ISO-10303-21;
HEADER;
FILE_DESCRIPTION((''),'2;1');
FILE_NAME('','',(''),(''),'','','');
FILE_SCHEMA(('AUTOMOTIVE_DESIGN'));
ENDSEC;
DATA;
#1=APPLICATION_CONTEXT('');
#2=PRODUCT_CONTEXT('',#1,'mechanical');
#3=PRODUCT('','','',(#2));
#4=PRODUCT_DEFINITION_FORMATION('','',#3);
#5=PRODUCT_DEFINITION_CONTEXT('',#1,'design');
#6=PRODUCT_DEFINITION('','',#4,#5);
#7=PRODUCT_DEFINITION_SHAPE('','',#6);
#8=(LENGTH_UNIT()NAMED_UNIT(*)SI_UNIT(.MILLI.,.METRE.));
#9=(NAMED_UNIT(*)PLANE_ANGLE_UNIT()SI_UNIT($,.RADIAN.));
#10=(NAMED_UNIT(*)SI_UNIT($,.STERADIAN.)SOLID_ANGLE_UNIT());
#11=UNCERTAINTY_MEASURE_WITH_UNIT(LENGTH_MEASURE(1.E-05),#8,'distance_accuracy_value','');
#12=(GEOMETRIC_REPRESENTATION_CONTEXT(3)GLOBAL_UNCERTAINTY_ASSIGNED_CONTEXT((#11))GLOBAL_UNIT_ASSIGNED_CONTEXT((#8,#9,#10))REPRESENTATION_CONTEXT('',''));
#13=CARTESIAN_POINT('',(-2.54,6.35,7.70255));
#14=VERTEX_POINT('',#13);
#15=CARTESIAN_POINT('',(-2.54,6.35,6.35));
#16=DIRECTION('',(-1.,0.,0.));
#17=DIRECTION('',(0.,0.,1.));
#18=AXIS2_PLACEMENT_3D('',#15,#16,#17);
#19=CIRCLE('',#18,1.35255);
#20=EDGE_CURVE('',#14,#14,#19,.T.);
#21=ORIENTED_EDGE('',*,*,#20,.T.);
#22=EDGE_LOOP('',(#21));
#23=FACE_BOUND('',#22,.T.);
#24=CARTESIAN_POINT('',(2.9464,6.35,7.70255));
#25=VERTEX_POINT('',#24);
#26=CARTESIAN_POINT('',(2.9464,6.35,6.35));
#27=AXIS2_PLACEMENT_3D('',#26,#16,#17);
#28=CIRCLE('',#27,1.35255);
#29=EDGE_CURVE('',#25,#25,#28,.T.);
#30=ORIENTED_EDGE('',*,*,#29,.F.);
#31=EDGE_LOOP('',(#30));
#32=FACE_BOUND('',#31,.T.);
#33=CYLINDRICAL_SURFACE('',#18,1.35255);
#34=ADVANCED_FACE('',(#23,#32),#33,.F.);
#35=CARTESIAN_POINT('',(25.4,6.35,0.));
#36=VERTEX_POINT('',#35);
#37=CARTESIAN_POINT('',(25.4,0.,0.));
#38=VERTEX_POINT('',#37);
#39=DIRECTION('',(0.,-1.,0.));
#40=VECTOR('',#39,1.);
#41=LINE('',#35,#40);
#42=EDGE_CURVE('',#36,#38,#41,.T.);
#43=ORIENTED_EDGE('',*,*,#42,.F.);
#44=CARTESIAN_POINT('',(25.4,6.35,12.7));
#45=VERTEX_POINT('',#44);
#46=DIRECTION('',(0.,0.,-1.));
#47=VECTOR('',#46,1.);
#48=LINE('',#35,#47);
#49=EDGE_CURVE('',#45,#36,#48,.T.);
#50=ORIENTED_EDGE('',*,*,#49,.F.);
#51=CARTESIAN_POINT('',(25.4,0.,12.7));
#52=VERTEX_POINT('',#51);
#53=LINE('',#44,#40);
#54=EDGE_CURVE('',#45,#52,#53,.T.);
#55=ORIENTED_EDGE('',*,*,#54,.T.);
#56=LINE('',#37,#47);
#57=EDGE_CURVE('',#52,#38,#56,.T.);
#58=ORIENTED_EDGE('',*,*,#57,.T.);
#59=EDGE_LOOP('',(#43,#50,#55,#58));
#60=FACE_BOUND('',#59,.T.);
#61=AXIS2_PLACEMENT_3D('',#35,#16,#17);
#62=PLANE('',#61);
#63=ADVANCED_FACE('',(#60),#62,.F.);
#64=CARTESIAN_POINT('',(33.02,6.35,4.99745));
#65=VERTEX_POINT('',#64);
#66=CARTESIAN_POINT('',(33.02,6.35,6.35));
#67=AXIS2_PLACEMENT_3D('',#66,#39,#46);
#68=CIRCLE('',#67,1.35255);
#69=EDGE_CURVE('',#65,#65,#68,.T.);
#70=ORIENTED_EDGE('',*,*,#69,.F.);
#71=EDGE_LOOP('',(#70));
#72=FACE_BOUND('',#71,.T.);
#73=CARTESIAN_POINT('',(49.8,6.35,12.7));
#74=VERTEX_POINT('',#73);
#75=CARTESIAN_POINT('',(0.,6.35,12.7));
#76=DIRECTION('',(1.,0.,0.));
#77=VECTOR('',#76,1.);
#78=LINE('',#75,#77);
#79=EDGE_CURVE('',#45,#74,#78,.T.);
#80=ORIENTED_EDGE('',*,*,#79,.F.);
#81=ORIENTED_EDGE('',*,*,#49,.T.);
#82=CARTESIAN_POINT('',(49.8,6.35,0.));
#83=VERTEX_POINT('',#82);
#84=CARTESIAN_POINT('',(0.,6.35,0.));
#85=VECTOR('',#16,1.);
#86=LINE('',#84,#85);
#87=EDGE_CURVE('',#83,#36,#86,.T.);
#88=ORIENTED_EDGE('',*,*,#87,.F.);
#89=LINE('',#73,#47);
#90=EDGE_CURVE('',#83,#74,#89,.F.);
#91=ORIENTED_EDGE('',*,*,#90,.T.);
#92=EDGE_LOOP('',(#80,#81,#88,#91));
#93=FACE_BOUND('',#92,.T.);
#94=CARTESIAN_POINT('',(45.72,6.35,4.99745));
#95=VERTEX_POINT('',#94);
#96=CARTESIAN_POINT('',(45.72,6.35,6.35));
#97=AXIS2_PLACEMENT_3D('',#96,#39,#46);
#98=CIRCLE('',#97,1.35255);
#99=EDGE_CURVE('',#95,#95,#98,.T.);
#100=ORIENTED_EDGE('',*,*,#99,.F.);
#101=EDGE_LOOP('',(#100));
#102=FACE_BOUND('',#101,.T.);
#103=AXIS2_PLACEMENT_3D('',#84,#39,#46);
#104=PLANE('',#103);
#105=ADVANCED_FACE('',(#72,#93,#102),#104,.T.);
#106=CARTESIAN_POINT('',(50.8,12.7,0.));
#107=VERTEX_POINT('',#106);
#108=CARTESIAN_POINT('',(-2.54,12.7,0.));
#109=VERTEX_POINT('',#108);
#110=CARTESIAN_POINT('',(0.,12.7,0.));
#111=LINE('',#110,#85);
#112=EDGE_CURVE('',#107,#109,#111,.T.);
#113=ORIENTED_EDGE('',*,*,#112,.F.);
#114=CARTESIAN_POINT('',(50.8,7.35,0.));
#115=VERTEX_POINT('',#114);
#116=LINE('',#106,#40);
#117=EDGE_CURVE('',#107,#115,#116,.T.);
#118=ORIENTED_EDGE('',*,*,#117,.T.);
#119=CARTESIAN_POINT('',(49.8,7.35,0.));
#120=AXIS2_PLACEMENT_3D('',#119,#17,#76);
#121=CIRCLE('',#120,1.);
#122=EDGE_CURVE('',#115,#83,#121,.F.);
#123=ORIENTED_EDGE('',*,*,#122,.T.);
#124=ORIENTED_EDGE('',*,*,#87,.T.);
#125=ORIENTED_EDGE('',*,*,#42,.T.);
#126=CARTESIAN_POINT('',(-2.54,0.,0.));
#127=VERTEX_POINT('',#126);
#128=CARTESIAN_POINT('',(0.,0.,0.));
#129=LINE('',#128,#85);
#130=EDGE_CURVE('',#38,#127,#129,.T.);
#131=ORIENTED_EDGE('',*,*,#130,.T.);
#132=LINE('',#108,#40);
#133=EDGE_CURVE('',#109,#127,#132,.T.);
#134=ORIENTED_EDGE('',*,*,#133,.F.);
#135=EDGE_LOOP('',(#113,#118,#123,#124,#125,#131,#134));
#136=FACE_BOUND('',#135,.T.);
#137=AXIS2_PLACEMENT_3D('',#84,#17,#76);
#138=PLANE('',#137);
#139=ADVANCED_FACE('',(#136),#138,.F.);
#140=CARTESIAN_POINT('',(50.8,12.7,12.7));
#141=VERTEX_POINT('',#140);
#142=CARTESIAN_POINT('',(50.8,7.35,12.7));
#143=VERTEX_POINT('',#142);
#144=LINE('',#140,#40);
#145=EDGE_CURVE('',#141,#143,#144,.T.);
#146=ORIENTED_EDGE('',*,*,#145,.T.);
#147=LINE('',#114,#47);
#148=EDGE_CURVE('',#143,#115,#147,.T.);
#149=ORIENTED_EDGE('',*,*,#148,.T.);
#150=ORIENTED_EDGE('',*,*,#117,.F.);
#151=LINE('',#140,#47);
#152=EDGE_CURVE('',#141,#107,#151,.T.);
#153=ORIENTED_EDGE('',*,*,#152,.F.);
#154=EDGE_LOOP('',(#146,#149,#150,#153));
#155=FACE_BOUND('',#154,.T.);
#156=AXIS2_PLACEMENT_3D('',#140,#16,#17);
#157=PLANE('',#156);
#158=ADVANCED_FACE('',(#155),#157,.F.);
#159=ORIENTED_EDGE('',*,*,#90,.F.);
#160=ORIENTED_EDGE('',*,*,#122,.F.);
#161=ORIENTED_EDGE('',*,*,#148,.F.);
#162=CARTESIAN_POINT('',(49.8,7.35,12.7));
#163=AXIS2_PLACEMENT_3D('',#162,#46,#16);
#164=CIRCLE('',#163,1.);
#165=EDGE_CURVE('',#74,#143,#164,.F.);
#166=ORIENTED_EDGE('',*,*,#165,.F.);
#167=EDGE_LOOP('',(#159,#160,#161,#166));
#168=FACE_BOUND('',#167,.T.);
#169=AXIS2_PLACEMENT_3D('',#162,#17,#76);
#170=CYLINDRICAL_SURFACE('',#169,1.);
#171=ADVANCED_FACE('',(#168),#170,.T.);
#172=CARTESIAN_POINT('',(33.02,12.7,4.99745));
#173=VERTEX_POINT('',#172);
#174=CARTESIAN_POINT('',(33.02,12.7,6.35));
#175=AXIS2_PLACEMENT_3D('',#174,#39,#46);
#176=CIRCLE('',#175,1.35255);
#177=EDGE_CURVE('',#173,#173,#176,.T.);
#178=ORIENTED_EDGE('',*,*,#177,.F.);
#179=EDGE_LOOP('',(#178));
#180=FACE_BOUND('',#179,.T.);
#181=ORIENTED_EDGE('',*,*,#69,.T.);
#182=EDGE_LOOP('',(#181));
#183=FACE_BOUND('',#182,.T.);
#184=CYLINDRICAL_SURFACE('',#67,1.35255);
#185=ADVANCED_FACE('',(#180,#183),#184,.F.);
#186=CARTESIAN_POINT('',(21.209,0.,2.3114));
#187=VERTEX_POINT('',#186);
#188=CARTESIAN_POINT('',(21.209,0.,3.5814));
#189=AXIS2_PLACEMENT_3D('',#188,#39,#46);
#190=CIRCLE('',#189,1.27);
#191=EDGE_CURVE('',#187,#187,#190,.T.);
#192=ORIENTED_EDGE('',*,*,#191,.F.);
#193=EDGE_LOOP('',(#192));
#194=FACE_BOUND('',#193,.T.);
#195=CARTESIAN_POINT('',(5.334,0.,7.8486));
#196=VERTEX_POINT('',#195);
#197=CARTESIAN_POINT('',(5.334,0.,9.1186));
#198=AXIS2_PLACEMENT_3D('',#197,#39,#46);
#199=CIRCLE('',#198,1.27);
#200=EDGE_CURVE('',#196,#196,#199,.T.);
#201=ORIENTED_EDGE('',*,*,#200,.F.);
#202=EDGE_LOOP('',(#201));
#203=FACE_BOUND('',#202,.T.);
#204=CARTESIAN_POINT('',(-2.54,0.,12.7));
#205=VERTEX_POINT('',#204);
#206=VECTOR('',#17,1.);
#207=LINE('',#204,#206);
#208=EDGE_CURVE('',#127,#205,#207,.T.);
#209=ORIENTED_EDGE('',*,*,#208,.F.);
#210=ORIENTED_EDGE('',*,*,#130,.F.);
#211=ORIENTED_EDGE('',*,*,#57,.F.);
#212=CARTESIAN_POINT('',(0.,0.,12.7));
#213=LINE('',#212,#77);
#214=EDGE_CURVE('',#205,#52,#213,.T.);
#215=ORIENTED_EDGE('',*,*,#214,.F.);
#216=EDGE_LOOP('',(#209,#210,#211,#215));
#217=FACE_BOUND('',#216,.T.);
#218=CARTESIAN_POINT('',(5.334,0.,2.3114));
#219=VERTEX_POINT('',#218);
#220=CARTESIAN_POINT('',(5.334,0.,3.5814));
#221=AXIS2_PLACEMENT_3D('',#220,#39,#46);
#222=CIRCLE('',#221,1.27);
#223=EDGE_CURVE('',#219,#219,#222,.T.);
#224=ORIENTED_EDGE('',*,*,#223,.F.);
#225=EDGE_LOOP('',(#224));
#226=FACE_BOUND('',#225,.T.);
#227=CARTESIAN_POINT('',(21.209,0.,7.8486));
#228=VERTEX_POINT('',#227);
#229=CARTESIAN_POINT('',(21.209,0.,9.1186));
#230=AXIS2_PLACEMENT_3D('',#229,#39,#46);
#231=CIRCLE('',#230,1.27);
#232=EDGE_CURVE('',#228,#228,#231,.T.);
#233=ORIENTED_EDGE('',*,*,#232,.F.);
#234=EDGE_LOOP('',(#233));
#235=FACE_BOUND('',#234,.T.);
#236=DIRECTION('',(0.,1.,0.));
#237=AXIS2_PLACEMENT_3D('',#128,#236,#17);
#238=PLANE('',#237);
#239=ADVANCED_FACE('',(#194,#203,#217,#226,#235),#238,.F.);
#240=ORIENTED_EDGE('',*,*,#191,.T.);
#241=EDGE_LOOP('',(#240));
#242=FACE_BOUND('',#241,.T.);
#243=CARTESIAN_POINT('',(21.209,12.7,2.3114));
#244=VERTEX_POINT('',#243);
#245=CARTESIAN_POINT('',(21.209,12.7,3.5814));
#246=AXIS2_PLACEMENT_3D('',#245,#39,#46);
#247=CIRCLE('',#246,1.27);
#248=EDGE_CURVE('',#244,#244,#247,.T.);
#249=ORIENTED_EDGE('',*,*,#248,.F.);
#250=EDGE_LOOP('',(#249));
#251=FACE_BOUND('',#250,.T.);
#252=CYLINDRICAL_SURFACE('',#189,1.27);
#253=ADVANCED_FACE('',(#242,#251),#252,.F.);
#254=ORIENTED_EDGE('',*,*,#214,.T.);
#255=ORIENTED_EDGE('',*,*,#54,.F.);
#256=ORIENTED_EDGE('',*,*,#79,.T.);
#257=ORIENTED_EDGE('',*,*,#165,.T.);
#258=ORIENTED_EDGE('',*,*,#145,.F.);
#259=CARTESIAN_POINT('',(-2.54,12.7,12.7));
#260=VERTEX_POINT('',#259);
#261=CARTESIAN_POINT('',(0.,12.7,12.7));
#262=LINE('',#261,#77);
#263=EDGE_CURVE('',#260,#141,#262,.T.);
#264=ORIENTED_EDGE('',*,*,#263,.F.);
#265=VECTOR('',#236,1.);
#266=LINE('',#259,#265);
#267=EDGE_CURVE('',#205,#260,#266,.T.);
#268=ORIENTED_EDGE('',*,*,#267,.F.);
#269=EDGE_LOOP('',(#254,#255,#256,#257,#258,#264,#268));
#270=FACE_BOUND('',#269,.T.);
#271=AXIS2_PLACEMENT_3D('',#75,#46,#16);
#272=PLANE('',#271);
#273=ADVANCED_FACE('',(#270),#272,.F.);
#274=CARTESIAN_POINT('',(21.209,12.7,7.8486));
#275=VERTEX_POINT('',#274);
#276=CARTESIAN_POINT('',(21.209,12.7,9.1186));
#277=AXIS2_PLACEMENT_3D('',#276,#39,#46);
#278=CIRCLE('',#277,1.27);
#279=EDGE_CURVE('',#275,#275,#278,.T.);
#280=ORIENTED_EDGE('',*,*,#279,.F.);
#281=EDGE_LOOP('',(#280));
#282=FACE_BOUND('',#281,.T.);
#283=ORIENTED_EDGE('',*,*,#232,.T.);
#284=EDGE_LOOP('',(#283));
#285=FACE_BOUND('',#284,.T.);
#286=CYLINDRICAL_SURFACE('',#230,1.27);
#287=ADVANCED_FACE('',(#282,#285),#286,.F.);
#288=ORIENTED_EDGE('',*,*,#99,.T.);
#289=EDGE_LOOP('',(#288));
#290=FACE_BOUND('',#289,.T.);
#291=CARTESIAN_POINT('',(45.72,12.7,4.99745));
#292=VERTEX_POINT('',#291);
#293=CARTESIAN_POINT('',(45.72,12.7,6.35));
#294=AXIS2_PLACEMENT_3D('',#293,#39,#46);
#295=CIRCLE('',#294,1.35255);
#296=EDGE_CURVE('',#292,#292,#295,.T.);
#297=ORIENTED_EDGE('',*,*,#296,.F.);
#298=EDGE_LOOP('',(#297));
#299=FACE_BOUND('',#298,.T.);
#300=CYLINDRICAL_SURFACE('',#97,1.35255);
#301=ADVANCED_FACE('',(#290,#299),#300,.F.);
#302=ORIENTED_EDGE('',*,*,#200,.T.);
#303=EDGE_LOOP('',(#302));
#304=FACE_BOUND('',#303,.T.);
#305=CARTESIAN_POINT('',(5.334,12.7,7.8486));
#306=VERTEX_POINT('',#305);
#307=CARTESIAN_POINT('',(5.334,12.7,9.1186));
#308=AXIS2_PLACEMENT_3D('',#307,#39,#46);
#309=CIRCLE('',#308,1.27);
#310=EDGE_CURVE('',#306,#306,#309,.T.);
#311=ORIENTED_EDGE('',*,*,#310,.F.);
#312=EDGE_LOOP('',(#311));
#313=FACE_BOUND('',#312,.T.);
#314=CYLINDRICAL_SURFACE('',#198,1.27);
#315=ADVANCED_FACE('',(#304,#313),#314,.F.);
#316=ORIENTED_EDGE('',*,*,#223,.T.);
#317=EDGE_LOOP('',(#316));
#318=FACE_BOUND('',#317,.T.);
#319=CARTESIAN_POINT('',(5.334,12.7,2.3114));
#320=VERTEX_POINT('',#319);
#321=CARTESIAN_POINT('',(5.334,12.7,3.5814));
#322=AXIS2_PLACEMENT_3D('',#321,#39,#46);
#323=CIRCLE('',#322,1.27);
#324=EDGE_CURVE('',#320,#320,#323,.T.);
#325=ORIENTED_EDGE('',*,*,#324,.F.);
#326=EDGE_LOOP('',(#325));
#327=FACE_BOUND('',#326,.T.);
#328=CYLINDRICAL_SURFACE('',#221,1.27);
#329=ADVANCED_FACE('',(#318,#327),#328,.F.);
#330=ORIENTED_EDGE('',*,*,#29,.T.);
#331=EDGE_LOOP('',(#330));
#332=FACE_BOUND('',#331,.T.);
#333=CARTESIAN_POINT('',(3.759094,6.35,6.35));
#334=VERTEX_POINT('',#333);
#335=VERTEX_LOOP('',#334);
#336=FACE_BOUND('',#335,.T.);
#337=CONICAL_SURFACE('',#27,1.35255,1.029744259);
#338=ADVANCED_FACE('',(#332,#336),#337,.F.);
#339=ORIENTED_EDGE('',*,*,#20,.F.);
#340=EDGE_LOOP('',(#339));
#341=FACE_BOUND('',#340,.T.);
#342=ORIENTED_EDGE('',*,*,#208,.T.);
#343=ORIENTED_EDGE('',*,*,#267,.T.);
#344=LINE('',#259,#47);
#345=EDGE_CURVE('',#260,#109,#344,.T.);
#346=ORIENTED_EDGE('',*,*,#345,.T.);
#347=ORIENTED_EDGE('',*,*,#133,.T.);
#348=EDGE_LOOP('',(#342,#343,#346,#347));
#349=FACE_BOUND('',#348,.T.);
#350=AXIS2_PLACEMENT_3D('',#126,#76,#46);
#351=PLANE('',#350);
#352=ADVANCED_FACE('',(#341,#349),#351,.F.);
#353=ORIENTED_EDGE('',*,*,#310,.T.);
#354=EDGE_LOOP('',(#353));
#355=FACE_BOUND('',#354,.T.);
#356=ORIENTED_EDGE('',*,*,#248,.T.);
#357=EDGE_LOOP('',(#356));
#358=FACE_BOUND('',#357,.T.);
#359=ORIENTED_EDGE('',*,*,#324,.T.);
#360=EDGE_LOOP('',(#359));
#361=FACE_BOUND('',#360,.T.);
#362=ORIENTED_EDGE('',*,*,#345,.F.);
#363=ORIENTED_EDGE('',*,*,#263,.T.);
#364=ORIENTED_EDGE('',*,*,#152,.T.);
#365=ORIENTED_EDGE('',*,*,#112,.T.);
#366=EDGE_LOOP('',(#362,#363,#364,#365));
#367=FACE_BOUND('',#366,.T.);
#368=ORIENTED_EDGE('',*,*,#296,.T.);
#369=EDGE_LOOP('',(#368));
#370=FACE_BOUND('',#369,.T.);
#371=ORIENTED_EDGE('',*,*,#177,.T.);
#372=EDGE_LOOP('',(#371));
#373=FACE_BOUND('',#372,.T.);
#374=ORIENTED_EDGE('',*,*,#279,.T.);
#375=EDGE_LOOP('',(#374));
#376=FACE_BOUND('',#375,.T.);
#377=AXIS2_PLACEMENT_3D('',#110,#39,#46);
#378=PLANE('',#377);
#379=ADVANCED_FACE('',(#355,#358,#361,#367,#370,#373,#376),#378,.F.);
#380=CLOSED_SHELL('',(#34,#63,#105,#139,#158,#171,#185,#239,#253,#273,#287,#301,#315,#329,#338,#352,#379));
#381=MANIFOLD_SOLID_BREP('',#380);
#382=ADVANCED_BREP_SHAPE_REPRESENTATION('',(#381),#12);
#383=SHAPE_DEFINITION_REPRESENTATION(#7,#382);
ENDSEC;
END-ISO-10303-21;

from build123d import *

# Parameters (mm, degrees)
SKETCH2_W                  = 25.4
SKETCH2_H                  = 12.7
BOSS_EXTRUDE1_DEPTH        = 6.35
SKETCH3_R                  = 0.5461
CUT_EXTRUDE1_DEPTH         = 7.35
SKETCH4_W                  = 50.8
SKETCH4_H                  = 12.7
BOSS_EXTRUDE2_DEPTH        = 6.35
F_8_0_199_DIAMETER_HOLE1_D = 2.54
F_6_32_TAPPED_HOLE3_D      = 2.7051
FILLET1_R                  = 1
SKETCH17_W                 = 12.7
SKETCH17_H                 = 12.7
BOSS_EXTRUDE3_DEPTH        = 2.54
F_6_32_TAPPED_HOLE4_D      = 2.7051
F_6_32_TAPPED_HOLE4_DEPTH  = 5.4864
F_6_32_TAPPED_HOLE4_TIP    = 0.81269403


with BuildPart() as part:
    # Sketch2 → Boss-Extrude1 (new body)
    with BuildSketch(Plane(origin=(0, 0, 0), x_dir=(1, 0, 0), z_dir=(0, 1, 0))):
        with Locations((12.7, -6.35)):
            Rectangle(SKETCH2_W, SKETCH2_H)
    extrude(amount=BOSS_EXTRUDE1_DEPTH)

    # Sketch3 → Cut-Extrude1 (cut, through all)
    with BuildSketch(Plane.XZ):
        with Locations((5.334, 9.1186)):
            Circle(SKETCH3_R)
        with Locations((5.334, 3.5814)):
            Circle(SKETCH3_R)
        with Locations((21.209, 3.5814)):
            Circle(SKETCH3_R)
        with Locations((21.209, 9.1186)):
            Circle(SKETCH3_R)
    extrude(amount=-CUT_EXTRUDE1_DEPTH, mode=Mode.SUBTRACT)

    # Sketch4 → Boss-Extrude2 (add)
    with BuildSketch(Plane(origin=(0, 6.35, 0), x_dir=(1, 0, 0), z_dir=(0, 1, 0))):
        with Locations((25.4, -6.35)):
            Rectangle(SKETCH4_W, SKETCH4_H)
    extrude(amount=BOSS_EXTRUDE2_DEPTH)

    # #8 (0.199) Diameter Hole1 (through all)
    with Locations(Plane(origin=(0, 0, 0), x_dir=(-1, 0, 0), z_dir=(0, -1, 0))):
        with Locations((-5.334, -3.5814), (-21.209, -3.5814), (-21.209, -9.1186), (-5.334, -9.1186)):
            Hole(F_8_0_199_DIAMETER_HOLE1_D / 2)

    # #6-32 Tapped Hole3 (through all)
    with Locations(Plane(origin=(0, 6.35, 0), x_dir=(-1, 0, 0), z_dir=(0, -1, 0))):
        with Locations((-33.02, -6.35), (-45.72, -6.35)):
            Hole(F_6_32_TAPPED_HOLE3_D / 2)

    # Fillet1
    fillet1_edges = [part.edges().sort_by_distance(p)[0] for p in [
        (50.8, 6.35, 6.35),
    ]]
    fillet(fillet1_edges, radius=FILLET1_R)

    # Sketch17 → Boss-Extrude3 (add)
    with BuildSketch(Plane.ZY):
        with Locations((6.35, 6.35)):
            Rectangle(SKETCH17_W, SKETCH17_H)
    extrude(amount=BOSS_EXTRUDE3_DEPTH)

    # #6-32 Tapped Hole4
    with Locations(Plane.ZY.offset(2.54)):
        with Locations((6.35, 6.35)):
            Hole(F_6_32_TAPPED_HOLE4_D / 2, depth=F_6_32_TAPPED_HOLE4_DEPTH)
            with Locations((0, 0, -(F_6_32_TAPPED_HOLE4_DEPTH + F_6_32_TAPPED_HOLE4_TIP / 2))):  # 118° drill point
                Cone(0, F_6_32_TAPPED_HOLE4_D / 2, F_6_32_TAPPED_HOLE4_TIP, mode=Mode.SUBTRACT)


solid = part.part
